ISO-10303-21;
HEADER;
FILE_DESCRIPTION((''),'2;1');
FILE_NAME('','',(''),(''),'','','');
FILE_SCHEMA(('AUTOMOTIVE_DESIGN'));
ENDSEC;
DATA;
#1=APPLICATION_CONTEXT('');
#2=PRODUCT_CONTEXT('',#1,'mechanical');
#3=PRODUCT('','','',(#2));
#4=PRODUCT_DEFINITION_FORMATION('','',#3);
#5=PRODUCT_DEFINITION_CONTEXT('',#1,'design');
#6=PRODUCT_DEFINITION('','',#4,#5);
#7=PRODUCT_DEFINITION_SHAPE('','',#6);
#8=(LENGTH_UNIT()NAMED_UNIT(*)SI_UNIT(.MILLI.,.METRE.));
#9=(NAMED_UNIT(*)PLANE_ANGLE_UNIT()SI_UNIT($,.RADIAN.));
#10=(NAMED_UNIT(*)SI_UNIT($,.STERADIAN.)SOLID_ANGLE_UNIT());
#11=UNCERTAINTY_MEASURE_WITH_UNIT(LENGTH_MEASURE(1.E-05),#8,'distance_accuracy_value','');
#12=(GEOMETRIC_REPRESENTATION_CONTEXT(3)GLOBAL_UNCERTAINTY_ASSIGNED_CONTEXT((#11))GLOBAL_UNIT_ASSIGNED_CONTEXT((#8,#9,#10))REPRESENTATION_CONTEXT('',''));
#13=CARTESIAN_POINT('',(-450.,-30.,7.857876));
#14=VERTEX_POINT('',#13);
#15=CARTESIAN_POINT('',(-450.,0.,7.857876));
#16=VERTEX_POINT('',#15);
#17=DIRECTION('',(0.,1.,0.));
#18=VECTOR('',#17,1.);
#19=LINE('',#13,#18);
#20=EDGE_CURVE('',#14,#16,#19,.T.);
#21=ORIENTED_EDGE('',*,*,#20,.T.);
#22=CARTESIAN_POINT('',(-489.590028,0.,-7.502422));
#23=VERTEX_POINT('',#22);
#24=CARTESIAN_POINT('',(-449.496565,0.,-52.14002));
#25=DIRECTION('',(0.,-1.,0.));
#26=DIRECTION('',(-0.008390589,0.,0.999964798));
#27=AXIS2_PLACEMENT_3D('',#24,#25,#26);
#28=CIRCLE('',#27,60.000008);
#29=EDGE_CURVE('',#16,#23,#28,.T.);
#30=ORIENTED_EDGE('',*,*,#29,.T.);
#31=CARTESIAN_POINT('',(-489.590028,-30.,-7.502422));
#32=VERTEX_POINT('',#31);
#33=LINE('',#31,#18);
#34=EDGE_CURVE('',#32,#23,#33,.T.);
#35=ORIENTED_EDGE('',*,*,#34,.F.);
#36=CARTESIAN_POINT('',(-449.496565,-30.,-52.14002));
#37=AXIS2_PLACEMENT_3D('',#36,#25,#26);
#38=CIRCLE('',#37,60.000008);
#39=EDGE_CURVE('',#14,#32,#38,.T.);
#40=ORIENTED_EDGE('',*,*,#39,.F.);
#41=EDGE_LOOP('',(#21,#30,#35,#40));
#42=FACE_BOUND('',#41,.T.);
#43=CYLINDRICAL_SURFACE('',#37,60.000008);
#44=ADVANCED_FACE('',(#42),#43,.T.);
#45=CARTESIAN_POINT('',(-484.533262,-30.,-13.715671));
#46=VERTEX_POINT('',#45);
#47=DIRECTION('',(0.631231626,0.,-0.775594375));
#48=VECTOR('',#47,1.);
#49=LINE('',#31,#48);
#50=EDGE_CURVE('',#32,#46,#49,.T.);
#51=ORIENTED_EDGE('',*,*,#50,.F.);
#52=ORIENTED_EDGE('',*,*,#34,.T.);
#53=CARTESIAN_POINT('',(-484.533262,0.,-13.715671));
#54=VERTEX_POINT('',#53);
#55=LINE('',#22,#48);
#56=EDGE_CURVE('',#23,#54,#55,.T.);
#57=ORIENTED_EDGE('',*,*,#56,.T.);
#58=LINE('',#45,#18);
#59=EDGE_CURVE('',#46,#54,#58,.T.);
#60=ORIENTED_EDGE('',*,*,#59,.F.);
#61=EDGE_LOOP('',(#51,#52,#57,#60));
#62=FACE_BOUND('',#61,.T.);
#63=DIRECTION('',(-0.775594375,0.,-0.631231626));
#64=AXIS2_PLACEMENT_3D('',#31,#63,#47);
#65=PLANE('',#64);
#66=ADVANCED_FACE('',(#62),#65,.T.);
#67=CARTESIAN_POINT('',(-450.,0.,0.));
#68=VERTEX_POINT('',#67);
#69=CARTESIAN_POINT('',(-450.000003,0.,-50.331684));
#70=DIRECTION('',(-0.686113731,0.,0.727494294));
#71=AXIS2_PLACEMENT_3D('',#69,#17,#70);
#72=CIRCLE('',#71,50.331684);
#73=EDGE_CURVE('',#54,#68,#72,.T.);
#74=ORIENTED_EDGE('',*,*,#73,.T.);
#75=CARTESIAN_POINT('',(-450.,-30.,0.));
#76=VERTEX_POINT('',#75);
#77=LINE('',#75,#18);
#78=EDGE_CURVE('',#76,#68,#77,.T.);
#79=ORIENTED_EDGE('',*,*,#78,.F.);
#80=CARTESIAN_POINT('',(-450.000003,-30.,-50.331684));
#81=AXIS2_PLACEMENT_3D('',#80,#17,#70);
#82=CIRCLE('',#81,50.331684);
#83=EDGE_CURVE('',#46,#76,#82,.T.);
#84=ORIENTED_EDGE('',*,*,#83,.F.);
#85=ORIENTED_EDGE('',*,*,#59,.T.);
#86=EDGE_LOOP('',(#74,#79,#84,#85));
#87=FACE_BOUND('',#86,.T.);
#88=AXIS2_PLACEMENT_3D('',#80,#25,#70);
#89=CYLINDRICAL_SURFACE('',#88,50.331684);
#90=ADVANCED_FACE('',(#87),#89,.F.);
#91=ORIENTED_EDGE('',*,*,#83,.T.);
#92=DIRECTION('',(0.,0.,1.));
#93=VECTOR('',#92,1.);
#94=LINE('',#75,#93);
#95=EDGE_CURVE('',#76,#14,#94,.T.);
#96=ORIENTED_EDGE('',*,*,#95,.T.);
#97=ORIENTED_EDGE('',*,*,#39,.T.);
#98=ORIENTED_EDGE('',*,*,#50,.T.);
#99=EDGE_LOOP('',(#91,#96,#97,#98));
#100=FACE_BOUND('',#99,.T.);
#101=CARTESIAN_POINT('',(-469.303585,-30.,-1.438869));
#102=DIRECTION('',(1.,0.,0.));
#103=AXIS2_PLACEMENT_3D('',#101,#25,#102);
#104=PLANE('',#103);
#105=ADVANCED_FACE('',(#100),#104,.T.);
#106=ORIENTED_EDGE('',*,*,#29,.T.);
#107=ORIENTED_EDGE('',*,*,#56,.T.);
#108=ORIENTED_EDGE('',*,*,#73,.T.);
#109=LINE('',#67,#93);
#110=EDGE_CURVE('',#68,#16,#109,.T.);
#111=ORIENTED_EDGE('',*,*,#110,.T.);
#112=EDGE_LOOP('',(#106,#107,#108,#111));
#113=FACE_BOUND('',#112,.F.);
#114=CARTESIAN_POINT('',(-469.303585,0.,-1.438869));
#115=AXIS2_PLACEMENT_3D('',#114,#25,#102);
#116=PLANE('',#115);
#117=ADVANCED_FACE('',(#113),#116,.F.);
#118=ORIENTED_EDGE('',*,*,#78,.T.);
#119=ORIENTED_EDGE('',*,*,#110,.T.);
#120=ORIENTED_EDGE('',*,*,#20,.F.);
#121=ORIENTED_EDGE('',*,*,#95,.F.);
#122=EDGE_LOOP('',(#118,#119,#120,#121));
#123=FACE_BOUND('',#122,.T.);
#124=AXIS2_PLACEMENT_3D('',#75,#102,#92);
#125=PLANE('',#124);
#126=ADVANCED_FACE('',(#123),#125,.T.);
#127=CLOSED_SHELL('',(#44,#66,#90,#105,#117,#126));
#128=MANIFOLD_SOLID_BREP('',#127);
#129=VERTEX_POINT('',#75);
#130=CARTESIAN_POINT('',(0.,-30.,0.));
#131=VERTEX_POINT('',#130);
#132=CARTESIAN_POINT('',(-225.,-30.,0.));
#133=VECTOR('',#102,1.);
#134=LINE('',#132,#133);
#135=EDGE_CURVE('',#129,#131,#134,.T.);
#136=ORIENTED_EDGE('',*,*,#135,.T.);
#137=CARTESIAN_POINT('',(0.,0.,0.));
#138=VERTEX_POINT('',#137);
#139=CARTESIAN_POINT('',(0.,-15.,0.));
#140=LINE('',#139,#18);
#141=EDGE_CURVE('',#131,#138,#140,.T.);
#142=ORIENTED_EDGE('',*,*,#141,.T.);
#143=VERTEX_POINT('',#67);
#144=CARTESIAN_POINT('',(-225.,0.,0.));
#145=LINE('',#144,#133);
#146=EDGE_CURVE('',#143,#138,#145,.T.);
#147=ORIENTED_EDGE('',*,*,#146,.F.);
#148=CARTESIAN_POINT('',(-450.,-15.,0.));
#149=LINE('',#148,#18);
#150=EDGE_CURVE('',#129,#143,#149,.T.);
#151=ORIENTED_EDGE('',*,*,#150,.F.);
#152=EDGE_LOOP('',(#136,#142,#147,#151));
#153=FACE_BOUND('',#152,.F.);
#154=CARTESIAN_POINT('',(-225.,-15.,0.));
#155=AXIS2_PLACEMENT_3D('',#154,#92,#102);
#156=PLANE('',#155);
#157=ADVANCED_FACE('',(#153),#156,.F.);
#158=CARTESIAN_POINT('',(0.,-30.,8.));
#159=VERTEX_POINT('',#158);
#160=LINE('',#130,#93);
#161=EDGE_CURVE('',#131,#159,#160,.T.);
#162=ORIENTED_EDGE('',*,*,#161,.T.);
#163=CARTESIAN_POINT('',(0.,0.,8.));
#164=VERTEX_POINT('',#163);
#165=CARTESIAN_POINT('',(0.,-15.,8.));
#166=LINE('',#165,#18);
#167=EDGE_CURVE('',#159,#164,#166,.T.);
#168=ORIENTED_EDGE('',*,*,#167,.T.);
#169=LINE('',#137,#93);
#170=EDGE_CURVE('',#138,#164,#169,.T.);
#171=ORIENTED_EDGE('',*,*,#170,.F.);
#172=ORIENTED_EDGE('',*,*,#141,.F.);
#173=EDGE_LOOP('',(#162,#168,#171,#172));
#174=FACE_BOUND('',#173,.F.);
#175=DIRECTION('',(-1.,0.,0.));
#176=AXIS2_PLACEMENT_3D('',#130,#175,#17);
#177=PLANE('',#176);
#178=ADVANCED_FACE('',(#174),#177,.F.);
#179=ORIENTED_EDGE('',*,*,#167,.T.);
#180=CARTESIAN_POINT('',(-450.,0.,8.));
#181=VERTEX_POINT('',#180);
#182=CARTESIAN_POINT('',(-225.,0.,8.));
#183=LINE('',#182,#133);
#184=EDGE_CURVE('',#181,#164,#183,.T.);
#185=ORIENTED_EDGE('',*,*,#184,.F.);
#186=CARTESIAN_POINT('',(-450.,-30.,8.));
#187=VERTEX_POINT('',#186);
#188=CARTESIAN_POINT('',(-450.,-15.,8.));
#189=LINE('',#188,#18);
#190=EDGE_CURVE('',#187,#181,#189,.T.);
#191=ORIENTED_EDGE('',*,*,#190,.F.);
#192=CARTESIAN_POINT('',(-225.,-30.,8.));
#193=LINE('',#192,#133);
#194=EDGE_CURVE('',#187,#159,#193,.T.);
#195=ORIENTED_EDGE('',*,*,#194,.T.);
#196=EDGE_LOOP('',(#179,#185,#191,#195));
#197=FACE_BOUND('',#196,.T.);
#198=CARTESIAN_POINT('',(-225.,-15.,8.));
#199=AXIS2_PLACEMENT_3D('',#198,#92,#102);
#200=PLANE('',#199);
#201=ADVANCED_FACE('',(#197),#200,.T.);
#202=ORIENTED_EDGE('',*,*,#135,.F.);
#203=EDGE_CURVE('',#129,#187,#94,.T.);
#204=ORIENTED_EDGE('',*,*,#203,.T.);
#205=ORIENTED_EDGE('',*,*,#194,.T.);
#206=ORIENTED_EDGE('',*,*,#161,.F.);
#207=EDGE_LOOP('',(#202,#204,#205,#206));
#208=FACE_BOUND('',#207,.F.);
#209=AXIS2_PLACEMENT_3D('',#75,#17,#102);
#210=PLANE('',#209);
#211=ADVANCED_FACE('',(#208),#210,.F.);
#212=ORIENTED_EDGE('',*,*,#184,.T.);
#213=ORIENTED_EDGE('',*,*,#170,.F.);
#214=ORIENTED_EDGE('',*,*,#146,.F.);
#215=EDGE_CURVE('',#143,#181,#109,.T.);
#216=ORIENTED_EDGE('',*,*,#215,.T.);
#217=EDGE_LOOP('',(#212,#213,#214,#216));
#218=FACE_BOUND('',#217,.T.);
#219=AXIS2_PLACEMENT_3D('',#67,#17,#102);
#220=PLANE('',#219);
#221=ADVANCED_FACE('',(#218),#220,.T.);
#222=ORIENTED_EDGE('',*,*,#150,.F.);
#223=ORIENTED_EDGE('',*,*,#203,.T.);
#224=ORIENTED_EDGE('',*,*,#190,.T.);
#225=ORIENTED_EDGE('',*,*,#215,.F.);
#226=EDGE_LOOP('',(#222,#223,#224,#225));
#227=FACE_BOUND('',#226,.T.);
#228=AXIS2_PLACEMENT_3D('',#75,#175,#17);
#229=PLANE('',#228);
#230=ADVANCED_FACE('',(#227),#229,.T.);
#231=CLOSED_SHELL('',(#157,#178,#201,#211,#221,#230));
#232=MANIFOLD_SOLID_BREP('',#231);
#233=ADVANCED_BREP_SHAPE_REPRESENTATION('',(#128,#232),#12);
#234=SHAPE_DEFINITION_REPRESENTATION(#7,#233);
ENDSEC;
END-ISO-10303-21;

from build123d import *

# Parameters (mm, degrees)
F0_W     = 450
F0_H     = 30
F1_DEPTH = 8
F3_DEPTH = 30


with BuildPart() as f1:
    # F0 (on Top) → F1 (new body)
    with BuildSketch(Plane.XY):
        with Locations((-225, -15)):
            Rectangle(F0_W, F0_H)
    extrude(amount=F1_DEPTH)


with BuildPart() as f3:
    # F2 (on face) → F3 (new body)
    with BuildSketch(Plane.XZ.offset(30)):
        with BuildLine():
            Line((-450, 0), (-450, 7.857876))
            ThreePointArc((-450, 7.857876), (-471.199369, 3.797349), (-489.590028, -7.502422))
            Line((-489.590028, -7.502422), (-484.533262, -13.715671))
            ThreePointArc((-484.533262, -13.715671), (-468.578656, -3.554424), (-450, 0))
        make_face()
    extrude(amount=-F3_DEPTH)


solid = Compound([f1.part, f3.part])
